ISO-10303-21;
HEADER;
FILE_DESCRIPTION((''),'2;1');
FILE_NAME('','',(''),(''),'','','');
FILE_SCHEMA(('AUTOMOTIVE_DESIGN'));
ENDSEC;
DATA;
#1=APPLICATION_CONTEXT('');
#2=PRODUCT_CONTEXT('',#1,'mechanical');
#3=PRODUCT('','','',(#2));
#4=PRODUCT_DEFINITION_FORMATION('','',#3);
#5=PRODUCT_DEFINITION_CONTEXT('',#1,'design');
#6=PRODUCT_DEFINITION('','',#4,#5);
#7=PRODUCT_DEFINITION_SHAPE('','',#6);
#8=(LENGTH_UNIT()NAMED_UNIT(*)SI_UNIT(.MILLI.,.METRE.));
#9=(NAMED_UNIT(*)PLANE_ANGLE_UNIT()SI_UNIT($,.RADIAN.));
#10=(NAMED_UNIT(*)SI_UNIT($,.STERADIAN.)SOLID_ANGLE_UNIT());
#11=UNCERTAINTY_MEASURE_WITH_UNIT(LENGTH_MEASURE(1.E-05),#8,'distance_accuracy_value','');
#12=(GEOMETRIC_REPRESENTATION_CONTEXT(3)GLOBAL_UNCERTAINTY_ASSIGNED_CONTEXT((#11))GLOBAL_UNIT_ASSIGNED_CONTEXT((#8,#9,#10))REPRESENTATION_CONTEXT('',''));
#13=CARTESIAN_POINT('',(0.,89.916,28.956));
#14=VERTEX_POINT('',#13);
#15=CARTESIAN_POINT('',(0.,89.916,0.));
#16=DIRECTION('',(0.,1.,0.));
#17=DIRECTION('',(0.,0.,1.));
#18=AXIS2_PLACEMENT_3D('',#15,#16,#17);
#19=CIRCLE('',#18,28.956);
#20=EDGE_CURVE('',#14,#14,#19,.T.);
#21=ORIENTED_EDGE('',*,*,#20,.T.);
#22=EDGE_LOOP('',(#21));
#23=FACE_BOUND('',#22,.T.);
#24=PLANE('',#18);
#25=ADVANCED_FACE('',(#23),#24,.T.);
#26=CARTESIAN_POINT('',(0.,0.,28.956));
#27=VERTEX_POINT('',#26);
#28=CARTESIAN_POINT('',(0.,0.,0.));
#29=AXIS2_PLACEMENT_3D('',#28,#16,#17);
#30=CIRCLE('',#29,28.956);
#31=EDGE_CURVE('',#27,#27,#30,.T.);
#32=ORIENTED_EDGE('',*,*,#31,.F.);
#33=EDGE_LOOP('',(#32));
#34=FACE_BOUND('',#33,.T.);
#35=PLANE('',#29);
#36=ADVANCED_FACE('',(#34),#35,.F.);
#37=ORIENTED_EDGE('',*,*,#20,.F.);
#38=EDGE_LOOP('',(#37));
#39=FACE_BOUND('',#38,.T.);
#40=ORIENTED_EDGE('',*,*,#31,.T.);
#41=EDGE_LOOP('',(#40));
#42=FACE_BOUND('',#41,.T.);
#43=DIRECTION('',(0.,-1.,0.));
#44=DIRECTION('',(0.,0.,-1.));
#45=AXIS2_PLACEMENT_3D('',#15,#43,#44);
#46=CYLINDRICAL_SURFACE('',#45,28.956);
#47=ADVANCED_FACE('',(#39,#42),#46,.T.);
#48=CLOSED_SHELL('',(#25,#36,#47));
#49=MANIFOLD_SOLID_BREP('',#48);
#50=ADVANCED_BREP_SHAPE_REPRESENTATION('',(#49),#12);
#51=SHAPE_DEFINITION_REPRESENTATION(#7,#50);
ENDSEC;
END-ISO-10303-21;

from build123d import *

# Parameters (mm, degrees)
SKETCH1_R           = 28.956
BOSS_EXTRUDE1_DEPTH = 89.916


with BuildPart() as part:
    # Sketch1 → Boss-Extrude1 (new body)
    with BuildSketch(Plane(origin=(0, 0, 0), x_dir=(1, 0, 0), z_dir=(0, 1, 0))):
        Circle(SKETCH1_R)
    extrude(amount=BOSS_EXTRUDE1_DEPTH)


solid = part.part
